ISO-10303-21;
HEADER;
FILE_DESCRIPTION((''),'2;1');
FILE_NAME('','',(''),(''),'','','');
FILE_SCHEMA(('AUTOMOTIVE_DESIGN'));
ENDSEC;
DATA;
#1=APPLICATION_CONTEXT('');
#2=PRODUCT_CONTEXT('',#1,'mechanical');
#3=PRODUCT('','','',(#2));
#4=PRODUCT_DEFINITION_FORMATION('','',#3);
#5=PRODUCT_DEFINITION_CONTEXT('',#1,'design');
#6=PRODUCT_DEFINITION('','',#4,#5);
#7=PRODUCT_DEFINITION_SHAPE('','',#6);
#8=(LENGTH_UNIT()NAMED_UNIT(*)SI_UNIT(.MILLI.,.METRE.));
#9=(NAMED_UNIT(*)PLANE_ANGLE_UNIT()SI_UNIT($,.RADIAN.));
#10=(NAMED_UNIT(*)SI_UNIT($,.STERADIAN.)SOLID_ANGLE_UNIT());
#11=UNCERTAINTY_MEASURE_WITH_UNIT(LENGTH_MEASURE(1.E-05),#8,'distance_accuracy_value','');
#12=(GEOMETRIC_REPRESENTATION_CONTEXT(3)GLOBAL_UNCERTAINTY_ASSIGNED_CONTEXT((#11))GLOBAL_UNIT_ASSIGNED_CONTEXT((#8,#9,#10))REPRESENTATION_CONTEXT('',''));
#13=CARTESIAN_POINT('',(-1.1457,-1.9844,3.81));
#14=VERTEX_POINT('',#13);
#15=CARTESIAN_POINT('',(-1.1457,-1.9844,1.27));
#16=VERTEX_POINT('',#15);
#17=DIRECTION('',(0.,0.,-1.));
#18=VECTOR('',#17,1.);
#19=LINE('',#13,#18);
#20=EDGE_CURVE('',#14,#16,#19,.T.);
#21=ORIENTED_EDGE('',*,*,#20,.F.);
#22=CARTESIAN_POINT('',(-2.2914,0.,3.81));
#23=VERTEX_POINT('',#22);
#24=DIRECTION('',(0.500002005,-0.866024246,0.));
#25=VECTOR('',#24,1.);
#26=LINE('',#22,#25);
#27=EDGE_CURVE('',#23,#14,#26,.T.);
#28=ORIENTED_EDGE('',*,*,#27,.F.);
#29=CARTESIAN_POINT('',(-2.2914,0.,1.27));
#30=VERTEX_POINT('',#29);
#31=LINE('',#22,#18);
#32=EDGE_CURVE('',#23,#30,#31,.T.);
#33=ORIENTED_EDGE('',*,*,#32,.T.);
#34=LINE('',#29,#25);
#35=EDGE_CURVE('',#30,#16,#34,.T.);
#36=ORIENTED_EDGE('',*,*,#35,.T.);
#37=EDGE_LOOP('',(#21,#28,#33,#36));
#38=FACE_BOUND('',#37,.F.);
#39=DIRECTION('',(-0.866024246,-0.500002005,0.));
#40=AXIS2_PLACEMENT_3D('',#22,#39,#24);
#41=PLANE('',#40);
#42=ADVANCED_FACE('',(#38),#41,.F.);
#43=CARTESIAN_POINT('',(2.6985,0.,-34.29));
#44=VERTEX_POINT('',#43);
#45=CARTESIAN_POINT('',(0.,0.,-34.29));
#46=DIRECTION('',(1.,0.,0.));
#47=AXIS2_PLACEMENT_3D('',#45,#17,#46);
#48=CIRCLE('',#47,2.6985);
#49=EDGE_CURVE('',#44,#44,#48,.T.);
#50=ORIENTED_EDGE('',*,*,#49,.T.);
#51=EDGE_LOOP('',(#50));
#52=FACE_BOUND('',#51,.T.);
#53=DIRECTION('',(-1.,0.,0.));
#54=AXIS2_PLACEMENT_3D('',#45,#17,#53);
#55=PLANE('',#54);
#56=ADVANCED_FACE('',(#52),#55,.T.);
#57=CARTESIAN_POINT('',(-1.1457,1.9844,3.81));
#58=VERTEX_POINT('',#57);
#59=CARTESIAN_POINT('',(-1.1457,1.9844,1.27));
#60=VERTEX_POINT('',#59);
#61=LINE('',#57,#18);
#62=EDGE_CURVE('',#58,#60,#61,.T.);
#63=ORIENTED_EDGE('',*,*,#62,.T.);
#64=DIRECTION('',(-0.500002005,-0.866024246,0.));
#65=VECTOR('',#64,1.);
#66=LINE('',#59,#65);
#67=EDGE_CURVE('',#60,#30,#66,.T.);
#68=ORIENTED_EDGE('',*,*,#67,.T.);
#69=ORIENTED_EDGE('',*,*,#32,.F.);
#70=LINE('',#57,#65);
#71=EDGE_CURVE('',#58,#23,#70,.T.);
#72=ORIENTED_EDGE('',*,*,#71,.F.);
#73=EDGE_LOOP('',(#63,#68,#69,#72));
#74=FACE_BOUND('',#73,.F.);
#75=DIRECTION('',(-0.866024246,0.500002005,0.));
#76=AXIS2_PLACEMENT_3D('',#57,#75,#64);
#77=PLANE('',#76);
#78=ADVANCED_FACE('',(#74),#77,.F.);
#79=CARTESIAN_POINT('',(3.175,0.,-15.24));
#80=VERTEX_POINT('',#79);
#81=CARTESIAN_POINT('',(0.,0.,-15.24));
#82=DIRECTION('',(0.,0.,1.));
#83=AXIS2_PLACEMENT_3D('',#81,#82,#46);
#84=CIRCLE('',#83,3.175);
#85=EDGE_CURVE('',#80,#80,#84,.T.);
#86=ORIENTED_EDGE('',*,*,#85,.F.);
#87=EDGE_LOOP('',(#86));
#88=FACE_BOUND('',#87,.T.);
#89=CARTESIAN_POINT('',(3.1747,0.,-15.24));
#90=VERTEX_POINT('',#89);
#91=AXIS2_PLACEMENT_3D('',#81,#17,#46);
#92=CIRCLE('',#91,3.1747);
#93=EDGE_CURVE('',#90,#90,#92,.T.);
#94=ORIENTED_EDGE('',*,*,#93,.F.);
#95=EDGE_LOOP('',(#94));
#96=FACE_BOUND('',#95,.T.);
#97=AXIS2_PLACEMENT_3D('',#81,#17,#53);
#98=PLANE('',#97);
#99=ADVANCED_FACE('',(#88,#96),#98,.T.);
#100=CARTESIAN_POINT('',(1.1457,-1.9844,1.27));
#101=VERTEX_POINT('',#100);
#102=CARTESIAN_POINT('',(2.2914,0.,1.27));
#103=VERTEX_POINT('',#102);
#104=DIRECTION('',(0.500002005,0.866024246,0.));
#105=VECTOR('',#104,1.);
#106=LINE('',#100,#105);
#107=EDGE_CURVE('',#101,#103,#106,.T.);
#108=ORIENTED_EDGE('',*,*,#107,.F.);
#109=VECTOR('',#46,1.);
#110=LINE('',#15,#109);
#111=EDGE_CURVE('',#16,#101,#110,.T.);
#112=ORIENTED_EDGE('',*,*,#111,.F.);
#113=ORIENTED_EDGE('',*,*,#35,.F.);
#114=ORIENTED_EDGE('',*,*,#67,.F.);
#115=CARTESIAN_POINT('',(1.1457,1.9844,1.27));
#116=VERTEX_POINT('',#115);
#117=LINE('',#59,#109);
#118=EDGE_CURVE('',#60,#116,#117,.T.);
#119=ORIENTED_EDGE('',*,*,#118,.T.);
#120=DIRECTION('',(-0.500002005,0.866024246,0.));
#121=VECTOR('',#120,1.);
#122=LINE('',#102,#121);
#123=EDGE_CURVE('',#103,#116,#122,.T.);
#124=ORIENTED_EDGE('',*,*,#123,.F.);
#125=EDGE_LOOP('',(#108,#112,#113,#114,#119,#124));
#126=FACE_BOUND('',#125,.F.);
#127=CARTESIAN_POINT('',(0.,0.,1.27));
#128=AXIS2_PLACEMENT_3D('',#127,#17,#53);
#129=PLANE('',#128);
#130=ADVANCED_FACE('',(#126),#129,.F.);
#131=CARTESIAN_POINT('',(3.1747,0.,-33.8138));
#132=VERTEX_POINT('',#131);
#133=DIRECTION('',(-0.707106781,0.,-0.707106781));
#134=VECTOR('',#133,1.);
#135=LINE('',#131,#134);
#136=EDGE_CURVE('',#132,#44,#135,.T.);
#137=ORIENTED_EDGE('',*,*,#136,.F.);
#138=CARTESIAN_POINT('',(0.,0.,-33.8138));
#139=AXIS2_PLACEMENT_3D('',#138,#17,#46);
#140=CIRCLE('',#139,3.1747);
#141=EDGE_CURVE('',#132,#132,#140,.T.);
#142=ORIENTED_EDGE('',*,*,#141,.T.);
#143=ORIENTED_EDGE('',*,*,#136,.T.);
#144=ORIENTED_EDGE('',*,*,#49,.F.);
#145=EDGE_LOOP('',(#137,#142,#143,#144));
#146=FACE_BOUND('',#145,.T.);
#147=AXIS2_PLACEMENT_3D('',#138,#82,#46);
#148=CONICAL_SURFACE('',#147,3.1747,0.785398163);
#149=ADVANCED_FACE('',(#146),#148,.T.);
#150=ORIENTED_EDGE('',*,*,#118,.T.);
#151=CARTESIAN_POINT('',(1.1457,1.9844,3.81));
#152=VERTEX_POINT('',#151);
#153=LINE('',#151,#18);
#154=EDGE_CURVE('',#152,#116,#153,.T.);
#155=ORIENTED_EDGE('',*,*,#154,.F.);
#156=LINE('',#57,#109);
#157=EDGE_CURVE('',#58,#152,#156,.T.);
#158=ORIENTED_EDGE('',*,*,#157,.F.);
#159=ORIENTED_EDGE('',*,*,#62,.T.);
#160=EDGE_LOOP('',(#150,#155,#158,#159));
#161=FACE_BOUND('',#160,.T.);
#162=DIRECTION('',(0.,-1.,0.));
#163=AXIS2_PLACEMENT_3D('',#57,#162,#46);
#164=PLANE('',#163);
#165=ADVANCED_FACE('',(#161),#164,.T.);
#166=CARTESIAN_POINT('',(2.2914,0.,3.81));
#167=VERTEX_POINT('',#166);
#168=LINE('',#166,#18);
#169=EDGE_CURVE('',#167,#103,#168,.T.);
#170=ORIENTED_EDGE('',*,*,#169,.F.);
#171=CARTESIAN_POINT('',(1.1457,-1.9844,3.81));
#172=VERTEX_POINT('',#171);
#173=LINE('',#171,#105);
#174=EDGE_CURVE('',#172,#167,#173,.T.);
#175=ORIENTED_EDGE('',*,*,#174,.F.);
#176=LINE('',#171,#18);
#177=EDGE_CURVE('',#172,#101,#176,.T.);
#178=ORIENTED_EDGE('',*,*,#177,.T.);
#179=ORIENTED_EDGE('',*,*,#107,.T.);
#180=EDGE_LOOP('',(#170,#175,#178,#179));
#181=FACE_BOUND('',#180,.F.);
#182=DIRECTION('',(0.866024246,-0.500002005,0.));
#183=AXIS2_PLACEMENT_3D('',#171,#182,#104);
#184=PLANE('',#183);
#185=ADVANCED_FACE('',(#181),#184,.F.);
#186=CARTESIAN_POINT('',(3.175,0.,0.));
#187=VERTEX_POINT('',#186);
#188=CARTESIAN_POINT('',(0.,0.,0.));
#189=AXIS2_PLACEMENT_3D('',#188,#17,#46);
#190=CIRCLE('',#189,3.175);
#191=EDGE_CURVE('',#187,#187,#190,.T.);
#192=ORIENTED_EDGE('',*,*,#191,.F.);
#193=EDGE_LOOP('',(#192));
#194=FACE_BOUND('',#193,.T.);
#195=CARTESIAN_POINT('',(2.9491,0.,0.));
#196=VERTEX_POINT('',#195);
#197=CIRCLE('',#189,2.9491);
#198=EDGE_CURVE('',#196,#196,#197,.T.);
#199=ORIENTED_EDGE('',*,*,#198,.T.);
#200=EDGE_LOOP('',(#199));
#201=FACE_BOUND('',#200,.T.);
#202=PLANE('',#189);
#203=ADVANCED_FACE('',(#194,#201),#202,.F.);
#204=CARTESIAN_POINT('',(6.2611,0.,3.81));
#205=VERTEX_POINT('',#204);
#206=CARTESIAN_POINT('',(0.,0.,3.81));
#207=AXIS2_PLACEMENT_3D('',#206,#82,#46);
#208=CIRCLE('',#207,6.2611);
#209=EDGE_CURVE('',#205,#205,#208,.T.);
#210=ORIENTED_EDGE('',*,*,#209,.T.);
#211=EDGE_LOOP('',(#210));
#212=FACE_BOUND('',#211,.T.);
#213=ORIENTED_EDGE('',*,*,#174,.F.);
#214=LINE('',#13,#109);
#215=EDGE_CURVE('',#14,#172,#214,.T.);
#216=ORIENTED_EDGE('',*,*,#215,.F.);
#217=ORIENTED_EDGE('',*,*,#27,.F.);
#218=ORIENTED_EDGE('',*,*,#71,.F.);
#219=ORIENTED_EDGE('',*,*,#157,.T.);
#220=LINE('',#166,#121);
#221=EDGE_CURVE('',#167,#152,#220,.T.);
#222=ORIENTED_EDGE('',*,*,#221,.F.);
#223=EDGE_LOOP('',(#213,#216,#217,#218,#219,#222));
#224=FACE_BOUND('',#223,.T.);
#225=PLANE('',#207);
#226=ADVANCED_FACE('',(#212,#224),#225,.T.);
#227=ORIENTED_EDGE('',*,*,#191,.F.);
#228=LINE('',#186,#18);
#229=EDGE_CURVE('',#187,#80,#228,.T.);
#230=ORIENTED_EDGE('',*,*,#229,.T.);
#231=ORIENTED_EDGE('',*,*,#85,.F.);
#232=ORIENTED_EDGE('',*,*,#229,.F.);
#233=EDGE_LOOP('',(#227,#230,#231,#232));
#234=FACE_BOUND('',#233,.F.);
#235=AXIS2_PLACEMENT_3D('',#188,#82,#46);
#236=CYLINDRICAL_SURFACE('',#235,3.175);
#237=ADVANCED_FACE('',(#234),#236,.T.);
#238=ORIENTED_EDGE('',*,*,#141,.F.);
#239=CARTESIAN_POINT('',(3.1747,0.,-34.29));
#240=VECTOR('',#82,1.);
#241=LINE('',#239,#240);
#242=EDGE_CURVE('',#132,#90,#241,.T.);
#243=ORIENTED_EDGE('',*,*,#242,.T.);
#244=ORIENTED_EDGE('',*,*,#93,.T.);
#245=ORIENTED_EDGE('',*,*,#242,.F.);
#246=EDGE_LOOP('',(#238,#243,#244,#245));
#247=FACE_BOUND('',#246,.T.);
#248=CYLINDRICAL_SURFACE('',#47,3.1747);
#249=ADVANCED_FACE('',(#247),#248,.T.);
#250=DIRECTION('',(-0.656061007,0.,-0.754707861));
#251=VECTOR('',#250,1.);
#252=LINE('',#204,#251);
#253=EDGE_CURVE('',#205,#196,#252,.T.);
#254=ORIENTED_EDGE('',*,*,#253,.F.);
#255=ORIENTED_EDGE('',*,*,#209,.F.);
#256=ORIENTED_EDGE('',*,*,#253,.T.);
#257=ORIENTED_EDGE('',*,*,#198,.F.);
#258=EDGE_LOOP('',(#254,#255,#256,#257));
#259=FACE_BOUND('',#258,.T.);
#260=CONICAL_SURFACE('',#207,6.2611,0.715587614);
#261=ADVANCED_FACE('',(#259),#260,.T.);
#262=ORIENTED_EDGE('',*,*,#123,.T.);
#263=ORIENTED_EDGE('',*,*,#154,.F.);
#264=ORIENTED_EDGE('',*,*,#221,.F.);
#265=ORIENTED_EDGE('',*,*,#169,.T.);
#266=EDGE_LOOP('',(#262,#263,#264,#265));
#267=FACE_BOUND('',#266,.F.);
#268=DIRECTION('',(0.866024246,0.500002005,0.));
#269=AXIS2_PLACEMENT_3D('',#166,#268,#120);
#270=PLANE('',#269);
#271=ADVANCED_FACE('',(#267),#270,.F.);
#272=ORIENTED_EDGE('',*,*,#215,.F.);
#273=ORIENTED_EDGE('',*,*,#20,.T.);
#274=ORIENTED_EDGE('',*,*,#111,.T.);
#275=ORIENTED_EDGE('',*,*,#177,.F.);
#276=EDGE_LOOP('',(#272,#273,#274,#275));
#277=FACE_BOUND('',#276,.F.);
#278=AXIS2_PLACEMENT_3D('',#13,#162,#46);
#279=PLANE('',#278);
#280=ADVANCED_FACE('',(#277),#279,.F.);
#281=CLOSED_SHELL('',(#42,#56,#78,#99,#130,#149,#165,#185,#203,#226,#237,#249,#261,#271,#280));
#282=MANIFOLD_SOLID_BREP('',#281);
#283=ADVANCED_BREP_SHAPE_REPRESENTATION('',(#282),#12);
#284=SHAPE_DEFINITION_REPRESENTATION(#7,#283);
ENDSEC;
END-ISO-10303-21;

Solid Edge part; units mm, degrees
sketch "Sketch1" plane through (0, 0, 0) normal (0, 0, 1) x (1, 0, 0)
  circle A0 centre (0, 0) radius 6.2611
  dimension "D1" = 12.5222
extrude "Protrusion1" add sketch "Sketch1" along normal blind 3.81
sketch "Sketch2" plane through (0, 0, 0) normal (0, 0, -1) x (1, 0, 0)
  circle A0 centre (0, 0) radius 3.175
extrude "Protrusion2" add sketch "Sketch2" along normal blind 34.29
sketch "Sketch3" plane through (0, 0, -34.29) normal (0, 0, -1) x (1, 0, 0)
  circle A0 centre (0, 0) radius 3.1747
extrude "Cutout1" cut sketch "Sketch3" against normal blind 19.05 flip side to cut
chamfer "Chamfer_1" distance 0.4762 angle 45 1 edges at (-3.1747, 0, -34.29)
sketch "Sketch4" plane through (0, 0, 3.81) normal (0, 0, 1) x (1, 0, 0)
  line L0 (-1.1457, 1.9844) -> (1.1457, 1.9844)
  line L1 (2.2914, 0) -> (1.1457, 1.9844)
  line L2 (1.1457, -1.9844) -> (2.2914, 0)
  line L3 (-1.1457, -1.9844) -> (1.1457, -1.9844)
  line L4 (-2.2914, 0) -> (-1.1457, -1.9844)
  line L5 (-1.1457, 1.9844) -> (-2.2914, 0)
  dimension "D1" = 3.9688
extrude "Cutout2" cut sketch "Sketch4" against normal blind 2.54
sketch "Sketch5" plane through (0, 0, 0) normal (0, -1, 0) x (1, 0, 0)
  line L0 (6.2611, 3.81) -> (2.9491, 0)
  line L1 (2.9491, 0) -> (6.2611, 0)
  line L2 (6.2611, 0) -> (6.2611, 3.81)
revolve "RevolvedCutout1" cut sketch "Sketch5" angle 360 about axis through (0, 0, 14.0017) along (0, 0, -1)
properties part number "24101005"
